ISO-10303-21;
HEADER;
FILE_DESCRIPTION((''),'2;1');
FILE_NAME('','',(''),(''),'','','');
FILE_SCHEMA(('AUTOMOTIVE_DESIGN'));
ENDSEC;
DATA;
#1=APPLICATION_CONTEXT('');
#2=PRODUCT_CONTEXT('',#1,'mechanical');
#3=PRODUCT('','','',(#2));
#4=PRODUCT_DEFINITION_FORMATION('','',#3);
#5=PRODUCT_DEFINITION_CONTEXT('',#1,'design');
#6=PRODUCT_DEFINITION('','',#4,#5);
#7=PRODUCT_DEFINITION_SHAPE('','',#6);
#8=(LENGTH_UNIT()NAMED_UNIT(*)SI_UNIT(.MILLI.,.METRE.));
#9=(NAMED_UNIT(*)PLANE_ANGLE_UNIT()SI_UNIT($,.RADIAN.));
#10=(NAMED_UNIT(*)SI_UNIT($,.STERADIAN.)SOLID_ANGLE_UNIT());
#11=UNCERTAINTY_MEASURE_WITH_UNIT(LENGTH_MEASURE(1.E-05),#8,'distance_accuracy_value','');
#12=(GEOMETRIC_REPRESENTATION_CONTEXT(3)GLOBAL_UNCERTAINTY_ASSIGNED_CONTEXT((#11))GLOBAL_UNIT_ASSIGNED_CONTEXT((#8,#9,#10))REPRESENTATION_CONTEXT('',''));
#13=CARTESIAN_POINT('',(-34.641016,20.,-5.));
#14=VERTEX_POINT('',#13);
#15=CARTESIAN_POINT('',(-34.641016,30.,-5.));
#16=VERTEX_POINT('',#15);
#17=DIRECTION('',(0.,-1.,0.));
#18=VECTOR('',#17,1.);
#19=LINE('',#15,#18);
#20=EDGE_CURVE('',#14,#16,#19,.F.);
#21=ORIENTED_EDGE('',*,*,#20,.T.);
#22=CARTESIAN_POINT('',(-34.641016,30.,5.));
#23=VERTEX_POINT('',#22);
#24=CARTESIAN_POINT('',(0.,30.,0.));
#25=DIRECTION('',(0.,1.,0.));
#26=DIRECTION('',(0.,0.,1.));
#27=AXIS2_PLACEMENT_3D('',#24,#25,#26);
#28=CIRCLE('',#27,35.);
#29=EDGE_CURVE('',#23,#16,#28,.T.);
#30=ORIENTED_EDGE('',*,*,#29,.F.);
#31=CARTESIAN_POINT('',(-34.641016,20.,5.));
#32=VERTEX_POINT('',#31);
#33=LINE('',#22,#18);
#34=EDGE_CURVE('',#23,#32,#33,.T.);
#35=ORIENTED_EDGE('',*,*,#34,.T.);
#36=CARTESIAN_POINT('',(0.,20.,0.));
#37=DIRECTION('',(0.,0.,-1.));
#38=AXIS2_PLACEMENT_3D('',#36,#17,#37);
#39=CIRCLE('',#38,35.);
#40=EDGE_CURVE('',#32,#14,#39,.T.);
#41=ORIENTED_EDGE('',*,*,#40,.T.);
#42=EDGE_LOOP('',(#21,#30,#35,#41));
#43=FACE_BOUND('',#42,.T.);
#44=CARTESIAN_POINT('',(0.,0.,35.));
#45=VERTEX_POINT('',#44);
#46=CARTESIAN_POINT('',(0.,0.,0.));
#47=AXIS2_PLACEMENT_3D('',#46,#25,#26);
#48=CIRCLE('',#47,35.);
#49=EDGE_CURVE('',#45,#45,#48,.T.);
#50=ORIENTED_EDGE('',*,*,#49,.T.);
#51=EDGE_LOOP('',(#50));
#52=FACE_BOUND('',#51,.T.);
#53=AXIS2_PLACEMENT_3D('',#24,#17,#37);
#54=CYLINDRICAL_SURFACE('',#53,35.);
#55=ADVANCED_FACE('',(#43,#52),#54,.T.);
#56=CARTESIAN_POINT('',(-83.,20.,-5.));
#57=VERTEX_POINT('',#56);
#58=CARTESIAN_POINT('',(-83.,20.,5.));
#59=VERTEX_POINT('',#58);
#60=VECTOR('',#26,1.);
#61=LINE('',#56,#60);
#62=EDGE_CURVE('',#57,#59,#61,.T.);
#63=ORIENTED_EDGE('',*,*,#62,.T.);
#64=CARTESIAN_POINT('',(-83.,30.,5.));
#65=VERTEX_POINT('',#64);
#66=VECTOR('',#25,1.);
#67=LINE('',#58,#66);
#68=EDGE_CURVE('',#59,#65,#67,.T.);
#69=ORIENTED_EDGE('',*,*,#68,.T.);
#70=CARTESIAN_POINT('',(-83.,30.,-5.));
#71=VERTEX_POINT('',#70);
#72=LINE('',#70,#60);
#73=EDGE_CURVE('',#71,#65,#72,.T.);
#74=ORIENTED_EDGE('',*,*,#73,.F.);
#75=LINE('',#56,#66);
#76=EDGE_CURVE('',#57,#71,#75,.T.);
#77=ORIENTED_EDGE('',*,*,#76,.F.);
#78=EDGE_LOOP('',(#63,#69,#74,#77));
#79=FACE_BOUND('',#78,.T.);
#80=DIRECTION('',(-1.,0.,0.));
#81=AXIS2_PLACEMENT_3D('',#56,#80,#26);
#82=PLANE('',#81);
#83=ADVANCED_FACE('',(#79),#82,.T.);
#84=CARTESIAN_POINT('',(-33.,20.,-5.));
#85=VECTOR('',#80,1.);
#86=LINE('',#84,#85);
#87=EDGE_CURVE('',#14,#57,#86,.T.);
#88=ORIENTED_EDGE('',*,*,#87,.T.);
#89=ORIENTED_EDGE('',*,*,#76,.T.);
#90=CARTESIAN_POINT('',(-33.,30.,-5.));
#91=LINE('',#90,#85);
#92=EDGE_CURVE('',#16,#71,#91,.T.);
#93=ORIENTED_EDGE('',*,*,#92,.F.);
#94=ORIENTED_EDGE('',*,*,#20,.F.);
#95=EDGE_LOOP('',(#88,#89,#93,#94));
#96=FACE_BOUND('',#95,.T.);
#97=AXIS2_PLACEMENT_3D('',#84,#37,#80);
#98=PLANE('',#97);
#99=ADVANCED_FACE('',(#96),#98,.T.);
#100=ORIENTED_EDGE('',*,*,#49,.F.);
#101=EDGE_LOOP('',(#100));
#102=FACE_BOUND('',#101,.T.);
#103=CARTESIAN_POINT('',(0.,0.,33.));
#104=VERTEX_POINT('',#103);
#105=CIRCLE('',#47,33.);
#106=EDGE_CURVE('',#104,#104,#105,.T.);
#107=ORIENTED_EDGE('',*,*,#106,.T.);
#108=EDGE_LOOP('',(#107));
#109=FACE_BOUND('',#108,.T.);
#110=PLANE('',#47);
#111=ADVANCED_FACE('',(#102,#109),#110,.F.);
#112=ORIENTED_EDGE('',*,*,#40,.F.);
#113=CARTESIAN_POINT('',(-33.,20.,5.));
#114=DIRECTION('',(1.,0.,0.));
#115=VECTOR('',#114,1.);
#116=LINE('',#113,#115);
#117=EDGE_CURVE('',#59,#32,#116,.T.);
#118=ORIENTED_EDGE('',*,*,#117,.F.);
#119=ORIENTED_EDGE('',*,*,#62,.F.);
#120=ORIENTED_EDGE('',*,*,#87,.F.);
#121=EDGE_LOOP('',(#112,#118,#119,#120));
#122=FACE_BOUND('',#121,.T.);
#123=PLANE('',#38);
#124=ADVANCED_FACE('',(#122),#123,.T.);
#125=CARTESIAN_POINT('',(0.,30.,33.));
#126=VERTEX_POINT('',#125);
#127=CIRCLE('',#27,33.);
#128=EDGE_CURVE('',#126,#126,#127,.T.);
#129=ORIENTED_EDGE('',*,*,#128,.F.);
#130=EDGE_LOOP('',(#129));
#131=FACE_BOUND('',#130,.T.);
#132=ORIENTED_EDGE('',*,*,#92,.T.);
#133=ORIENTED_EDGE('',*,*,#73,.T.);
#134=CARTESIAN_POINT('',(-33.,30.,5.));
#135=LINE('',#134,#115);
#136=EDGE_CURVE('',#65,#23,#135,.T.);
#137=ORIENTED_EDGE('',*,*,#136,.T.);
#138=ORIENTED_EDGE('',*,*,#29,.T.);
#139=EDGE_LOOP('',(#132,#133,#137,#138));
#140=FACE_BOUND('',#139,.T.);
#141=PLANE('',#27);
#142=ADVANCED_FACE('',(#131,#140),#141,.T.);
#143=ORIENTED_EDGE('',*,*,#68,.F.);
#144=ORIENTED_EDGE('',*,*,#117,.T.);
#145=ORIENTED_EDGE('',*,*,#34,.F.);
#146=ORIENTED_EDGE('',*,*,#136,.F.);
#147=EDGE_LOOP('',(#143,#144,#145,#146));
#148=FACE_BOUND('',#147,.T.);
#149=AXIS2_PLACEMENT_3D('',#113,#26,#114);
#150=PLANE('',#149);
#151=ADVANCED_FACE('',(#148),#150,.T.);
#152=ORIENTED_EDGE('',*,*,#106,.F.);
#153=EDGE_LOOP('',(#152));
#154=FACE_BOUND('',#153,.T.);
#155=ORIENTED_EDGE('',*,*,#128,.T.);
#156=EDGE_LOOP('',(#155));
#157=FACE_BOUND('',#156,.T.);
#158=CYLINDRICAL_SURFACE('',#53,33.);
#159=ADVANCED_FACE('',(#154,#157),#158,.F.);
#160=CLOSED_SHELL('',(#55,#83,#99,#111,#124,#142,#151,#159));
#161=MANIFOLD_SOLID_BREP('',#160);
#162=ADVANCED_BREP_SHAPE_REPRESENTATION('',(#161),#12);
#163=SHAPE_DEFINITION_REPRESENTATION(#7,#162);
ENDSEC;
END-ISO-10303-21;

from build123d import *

# Parameters (mm, degrees)
SKETCH1_R           = 35
SKETCH1_R_2         = 33
BOSS_EXTRUDE1_DEPTH = 30
SKETCH2_W           = 50
SKETCH2_H           = 10
BOSS_EXTRUDE2_DEPTH = 10


with BuildPart() as part:
    # Sketch1 → Boss-Extrude1 (new body)
    with BuildSketch(Plane(origin=(0, 0, 0), x_dir=(1, 0, 0), z_dir=(0, 1, 0))):
        with Locations(Location((0, 0, 0), (0, 0, 270))):
            Circle(SKETCH1_R)
        with Locations(Location((0, 0, 0), (0, 0, 270))):
            Circle(SKETCH1_R_2, mode=Mode.SUBTRACT)
    extrude(amount=BOSS_EXTRUDE1_DEPTH)

    # Sketch2 → Boss-Extrude2 (add)
    with BuildSketch(Plane(origin=(0, 30, 0), x_dir=(1, 0, 0), z_dir=(0, 1, 0))):
        with Locations((-58, 0)):
            Rectangle(SKETCH2_W, SKETCH2_H)
    extrude(amount=-BOSS_EXTRUDE2_DEPTH)


solid = part.part
